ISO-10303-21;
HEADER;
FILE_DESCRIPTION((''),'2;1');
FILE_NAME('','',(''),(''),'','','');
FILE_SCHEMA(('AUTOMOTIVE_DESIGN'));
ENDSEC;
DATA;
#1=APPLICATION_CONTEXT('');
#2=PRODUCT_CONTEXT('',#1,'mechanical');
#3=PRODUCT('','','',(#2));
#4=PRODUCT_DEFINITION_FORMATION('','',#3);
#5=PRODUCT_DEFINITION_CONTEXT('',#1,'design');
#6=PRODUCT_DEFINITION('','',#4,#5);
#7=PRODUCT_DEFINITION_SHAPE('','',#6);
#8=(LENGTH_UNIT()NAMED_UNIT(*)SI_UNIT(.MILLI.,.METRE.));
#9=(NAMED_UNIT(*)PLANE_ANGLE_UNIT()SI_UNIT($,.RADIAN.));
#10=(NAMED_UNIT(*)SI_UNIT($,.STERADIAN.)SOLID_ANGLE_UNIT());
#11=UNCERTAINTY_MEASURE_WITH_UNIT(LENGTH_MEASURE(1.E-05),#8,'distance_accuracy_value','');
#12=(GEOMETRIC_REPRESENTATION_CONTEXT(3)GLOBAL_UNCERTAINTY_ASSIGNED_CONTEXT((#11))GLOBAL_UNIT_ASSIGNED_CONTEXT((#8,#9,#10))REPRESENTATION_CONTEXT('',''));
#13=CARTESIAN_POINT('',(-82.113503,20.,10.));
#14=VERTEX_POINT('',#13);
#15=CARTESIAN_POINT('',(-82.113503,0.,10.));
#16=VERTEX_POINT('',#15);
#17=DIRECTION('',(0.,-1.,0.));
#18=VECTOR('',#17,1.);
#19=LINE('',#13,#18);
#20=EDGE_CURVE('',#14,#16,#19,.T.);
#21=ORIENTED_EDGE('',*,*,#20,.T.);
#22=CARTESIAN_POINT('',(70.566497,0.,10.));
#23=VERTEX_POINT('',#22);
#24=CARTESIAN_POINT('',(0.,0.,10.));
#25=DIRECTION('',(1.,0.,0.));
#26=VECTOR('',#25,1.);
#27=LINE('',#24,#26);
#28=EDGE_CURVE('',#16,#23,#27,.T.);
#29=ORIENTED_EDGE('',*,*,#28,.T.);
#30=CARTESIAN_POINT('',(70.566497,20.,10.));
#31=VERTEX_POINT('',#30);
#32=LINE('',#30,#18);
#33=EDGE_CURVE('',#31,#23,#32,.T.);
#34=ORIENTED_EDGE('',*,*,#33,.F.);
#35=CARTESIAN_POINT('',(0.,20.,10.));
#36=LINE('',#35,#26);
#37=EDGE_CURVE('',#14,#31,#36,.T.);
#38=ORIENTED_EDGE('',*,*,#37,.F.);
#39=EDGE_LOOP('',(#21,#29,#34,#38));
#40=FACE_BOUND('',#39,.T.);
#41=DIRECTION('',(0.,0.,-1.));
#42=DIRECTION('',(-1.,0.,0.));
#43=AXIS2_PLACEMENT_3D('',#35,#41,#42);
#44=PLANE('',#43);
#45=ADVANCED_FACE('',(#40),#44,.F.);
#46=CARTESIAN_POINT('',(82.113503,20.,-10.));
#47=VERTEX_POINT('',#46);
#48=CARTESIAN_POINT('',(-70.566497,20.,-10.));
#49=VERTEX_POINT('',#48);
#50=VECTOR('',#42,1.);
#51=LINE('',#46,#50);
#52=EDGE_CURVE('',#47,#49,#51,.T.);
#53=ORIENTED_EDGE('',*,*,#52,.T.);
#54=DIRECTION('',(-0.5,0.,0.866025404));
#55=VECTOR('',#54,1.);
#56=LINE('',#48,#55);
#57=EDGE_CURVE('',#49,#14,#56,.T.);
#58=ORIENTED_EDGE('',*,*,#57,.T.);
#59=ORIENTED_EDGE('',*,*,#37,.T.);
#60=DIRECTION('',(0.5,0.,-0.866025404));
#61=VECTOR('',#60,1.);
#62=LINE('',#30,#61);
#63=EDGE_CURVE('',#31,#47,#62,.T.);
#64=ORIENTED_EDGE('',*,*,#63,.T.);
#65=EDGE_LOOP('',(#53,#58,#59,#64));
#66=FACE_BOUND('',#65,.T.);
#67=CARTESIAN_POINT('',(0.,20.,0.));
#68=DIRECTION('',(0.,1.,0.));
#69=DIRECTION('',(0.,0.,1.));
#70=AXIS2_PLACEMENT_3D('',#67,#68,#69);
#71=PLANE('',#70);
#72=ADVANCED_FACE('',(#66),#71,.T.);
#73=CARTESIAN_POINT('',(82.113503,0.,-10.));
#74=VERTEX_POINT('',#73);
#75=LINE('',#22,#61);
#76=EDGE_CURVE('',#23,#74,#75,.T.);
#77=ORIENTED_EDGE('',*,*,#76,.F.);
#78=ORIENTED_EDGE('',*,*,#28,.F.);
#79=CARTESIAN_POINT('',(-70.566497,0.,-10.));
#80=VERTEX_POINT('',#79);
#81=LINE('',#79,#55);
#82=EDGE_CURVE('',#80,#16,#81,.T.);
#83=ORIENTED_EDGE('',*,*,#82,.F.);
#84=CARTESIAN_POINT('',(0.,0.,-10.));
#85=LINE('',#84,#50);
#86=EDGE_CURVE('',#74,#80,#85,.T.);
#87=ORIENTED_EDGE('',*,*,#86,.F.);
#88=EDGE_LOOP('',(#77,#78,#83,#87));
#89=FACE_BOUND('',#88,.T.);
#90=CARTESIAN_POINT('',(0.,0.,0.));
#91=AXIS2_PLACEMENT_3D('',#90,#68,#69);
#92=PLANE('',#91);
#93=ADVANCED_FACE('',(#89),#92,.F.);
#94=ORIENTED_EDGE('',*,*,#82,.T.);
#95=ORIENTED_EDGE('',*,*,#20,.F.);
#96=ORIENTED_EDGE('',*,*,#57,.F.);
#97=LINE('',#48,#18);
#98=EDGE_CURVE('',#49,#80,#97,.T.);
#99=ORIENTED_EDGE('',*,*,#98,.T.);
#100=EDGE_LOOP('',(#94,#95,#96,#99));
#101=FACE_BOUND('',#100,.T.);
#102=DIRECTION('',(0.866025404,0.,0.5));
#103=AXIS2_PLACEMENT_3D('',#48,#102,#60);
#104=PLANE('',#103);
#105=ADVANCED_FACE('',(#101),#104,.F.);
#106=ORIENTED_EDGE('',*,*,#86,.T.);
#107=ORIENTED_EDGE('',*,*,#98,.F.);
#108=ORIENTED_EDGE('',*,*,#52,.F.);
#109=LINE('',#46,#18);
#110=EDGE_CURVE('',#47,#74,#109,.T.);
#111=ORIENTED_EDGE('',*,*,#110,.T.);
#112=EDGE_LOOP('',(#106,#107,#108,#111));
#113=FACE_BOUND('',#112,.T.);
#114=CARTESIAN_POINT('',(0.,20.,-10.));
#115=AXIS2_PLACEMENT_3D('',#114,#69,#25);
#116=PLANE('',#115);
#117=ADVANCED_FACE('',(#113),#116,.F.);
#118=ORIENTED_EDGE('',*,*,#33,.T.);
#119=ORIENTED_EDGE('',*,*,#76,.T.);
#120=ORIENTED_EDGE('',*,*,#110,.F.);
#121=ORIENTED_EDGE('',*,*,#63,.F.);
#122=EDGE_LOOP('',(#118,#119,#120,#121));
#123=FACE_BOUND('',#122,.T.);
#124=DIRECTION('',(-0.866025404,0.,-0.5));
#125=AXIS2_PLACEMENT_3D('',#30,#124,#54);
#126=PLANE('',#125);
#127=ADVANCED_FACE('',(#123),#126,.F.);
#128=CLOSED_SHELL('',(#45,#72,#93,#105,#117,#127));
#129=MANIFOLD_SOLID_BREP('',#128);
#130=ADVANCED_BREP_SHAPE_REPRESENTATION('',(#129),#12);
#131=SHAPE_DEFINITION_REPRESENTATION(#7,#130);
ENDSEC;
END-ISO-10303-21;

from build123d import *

# Parameters (mm, degrees)
BOSS_EXTRUDE1_DEPTH = 20


with BuildPart() as part:
    # Sketch1 → Boss-Extrude1 (new body)
    with BuildSketch(Plane(origin=(0, 0, 0), x_dir=(1, 0, 0), z_dir=(0, 1, 0))):
        Polygon((70.566497308, -10), (82.113502692, 10), (0, 10), (-70.566497308, 10), (-82.113502692, -10), (0, -10), align=None)
    extrude(amount=BOSS_EXTRUDE1_DEPTH)


solid = part.part
